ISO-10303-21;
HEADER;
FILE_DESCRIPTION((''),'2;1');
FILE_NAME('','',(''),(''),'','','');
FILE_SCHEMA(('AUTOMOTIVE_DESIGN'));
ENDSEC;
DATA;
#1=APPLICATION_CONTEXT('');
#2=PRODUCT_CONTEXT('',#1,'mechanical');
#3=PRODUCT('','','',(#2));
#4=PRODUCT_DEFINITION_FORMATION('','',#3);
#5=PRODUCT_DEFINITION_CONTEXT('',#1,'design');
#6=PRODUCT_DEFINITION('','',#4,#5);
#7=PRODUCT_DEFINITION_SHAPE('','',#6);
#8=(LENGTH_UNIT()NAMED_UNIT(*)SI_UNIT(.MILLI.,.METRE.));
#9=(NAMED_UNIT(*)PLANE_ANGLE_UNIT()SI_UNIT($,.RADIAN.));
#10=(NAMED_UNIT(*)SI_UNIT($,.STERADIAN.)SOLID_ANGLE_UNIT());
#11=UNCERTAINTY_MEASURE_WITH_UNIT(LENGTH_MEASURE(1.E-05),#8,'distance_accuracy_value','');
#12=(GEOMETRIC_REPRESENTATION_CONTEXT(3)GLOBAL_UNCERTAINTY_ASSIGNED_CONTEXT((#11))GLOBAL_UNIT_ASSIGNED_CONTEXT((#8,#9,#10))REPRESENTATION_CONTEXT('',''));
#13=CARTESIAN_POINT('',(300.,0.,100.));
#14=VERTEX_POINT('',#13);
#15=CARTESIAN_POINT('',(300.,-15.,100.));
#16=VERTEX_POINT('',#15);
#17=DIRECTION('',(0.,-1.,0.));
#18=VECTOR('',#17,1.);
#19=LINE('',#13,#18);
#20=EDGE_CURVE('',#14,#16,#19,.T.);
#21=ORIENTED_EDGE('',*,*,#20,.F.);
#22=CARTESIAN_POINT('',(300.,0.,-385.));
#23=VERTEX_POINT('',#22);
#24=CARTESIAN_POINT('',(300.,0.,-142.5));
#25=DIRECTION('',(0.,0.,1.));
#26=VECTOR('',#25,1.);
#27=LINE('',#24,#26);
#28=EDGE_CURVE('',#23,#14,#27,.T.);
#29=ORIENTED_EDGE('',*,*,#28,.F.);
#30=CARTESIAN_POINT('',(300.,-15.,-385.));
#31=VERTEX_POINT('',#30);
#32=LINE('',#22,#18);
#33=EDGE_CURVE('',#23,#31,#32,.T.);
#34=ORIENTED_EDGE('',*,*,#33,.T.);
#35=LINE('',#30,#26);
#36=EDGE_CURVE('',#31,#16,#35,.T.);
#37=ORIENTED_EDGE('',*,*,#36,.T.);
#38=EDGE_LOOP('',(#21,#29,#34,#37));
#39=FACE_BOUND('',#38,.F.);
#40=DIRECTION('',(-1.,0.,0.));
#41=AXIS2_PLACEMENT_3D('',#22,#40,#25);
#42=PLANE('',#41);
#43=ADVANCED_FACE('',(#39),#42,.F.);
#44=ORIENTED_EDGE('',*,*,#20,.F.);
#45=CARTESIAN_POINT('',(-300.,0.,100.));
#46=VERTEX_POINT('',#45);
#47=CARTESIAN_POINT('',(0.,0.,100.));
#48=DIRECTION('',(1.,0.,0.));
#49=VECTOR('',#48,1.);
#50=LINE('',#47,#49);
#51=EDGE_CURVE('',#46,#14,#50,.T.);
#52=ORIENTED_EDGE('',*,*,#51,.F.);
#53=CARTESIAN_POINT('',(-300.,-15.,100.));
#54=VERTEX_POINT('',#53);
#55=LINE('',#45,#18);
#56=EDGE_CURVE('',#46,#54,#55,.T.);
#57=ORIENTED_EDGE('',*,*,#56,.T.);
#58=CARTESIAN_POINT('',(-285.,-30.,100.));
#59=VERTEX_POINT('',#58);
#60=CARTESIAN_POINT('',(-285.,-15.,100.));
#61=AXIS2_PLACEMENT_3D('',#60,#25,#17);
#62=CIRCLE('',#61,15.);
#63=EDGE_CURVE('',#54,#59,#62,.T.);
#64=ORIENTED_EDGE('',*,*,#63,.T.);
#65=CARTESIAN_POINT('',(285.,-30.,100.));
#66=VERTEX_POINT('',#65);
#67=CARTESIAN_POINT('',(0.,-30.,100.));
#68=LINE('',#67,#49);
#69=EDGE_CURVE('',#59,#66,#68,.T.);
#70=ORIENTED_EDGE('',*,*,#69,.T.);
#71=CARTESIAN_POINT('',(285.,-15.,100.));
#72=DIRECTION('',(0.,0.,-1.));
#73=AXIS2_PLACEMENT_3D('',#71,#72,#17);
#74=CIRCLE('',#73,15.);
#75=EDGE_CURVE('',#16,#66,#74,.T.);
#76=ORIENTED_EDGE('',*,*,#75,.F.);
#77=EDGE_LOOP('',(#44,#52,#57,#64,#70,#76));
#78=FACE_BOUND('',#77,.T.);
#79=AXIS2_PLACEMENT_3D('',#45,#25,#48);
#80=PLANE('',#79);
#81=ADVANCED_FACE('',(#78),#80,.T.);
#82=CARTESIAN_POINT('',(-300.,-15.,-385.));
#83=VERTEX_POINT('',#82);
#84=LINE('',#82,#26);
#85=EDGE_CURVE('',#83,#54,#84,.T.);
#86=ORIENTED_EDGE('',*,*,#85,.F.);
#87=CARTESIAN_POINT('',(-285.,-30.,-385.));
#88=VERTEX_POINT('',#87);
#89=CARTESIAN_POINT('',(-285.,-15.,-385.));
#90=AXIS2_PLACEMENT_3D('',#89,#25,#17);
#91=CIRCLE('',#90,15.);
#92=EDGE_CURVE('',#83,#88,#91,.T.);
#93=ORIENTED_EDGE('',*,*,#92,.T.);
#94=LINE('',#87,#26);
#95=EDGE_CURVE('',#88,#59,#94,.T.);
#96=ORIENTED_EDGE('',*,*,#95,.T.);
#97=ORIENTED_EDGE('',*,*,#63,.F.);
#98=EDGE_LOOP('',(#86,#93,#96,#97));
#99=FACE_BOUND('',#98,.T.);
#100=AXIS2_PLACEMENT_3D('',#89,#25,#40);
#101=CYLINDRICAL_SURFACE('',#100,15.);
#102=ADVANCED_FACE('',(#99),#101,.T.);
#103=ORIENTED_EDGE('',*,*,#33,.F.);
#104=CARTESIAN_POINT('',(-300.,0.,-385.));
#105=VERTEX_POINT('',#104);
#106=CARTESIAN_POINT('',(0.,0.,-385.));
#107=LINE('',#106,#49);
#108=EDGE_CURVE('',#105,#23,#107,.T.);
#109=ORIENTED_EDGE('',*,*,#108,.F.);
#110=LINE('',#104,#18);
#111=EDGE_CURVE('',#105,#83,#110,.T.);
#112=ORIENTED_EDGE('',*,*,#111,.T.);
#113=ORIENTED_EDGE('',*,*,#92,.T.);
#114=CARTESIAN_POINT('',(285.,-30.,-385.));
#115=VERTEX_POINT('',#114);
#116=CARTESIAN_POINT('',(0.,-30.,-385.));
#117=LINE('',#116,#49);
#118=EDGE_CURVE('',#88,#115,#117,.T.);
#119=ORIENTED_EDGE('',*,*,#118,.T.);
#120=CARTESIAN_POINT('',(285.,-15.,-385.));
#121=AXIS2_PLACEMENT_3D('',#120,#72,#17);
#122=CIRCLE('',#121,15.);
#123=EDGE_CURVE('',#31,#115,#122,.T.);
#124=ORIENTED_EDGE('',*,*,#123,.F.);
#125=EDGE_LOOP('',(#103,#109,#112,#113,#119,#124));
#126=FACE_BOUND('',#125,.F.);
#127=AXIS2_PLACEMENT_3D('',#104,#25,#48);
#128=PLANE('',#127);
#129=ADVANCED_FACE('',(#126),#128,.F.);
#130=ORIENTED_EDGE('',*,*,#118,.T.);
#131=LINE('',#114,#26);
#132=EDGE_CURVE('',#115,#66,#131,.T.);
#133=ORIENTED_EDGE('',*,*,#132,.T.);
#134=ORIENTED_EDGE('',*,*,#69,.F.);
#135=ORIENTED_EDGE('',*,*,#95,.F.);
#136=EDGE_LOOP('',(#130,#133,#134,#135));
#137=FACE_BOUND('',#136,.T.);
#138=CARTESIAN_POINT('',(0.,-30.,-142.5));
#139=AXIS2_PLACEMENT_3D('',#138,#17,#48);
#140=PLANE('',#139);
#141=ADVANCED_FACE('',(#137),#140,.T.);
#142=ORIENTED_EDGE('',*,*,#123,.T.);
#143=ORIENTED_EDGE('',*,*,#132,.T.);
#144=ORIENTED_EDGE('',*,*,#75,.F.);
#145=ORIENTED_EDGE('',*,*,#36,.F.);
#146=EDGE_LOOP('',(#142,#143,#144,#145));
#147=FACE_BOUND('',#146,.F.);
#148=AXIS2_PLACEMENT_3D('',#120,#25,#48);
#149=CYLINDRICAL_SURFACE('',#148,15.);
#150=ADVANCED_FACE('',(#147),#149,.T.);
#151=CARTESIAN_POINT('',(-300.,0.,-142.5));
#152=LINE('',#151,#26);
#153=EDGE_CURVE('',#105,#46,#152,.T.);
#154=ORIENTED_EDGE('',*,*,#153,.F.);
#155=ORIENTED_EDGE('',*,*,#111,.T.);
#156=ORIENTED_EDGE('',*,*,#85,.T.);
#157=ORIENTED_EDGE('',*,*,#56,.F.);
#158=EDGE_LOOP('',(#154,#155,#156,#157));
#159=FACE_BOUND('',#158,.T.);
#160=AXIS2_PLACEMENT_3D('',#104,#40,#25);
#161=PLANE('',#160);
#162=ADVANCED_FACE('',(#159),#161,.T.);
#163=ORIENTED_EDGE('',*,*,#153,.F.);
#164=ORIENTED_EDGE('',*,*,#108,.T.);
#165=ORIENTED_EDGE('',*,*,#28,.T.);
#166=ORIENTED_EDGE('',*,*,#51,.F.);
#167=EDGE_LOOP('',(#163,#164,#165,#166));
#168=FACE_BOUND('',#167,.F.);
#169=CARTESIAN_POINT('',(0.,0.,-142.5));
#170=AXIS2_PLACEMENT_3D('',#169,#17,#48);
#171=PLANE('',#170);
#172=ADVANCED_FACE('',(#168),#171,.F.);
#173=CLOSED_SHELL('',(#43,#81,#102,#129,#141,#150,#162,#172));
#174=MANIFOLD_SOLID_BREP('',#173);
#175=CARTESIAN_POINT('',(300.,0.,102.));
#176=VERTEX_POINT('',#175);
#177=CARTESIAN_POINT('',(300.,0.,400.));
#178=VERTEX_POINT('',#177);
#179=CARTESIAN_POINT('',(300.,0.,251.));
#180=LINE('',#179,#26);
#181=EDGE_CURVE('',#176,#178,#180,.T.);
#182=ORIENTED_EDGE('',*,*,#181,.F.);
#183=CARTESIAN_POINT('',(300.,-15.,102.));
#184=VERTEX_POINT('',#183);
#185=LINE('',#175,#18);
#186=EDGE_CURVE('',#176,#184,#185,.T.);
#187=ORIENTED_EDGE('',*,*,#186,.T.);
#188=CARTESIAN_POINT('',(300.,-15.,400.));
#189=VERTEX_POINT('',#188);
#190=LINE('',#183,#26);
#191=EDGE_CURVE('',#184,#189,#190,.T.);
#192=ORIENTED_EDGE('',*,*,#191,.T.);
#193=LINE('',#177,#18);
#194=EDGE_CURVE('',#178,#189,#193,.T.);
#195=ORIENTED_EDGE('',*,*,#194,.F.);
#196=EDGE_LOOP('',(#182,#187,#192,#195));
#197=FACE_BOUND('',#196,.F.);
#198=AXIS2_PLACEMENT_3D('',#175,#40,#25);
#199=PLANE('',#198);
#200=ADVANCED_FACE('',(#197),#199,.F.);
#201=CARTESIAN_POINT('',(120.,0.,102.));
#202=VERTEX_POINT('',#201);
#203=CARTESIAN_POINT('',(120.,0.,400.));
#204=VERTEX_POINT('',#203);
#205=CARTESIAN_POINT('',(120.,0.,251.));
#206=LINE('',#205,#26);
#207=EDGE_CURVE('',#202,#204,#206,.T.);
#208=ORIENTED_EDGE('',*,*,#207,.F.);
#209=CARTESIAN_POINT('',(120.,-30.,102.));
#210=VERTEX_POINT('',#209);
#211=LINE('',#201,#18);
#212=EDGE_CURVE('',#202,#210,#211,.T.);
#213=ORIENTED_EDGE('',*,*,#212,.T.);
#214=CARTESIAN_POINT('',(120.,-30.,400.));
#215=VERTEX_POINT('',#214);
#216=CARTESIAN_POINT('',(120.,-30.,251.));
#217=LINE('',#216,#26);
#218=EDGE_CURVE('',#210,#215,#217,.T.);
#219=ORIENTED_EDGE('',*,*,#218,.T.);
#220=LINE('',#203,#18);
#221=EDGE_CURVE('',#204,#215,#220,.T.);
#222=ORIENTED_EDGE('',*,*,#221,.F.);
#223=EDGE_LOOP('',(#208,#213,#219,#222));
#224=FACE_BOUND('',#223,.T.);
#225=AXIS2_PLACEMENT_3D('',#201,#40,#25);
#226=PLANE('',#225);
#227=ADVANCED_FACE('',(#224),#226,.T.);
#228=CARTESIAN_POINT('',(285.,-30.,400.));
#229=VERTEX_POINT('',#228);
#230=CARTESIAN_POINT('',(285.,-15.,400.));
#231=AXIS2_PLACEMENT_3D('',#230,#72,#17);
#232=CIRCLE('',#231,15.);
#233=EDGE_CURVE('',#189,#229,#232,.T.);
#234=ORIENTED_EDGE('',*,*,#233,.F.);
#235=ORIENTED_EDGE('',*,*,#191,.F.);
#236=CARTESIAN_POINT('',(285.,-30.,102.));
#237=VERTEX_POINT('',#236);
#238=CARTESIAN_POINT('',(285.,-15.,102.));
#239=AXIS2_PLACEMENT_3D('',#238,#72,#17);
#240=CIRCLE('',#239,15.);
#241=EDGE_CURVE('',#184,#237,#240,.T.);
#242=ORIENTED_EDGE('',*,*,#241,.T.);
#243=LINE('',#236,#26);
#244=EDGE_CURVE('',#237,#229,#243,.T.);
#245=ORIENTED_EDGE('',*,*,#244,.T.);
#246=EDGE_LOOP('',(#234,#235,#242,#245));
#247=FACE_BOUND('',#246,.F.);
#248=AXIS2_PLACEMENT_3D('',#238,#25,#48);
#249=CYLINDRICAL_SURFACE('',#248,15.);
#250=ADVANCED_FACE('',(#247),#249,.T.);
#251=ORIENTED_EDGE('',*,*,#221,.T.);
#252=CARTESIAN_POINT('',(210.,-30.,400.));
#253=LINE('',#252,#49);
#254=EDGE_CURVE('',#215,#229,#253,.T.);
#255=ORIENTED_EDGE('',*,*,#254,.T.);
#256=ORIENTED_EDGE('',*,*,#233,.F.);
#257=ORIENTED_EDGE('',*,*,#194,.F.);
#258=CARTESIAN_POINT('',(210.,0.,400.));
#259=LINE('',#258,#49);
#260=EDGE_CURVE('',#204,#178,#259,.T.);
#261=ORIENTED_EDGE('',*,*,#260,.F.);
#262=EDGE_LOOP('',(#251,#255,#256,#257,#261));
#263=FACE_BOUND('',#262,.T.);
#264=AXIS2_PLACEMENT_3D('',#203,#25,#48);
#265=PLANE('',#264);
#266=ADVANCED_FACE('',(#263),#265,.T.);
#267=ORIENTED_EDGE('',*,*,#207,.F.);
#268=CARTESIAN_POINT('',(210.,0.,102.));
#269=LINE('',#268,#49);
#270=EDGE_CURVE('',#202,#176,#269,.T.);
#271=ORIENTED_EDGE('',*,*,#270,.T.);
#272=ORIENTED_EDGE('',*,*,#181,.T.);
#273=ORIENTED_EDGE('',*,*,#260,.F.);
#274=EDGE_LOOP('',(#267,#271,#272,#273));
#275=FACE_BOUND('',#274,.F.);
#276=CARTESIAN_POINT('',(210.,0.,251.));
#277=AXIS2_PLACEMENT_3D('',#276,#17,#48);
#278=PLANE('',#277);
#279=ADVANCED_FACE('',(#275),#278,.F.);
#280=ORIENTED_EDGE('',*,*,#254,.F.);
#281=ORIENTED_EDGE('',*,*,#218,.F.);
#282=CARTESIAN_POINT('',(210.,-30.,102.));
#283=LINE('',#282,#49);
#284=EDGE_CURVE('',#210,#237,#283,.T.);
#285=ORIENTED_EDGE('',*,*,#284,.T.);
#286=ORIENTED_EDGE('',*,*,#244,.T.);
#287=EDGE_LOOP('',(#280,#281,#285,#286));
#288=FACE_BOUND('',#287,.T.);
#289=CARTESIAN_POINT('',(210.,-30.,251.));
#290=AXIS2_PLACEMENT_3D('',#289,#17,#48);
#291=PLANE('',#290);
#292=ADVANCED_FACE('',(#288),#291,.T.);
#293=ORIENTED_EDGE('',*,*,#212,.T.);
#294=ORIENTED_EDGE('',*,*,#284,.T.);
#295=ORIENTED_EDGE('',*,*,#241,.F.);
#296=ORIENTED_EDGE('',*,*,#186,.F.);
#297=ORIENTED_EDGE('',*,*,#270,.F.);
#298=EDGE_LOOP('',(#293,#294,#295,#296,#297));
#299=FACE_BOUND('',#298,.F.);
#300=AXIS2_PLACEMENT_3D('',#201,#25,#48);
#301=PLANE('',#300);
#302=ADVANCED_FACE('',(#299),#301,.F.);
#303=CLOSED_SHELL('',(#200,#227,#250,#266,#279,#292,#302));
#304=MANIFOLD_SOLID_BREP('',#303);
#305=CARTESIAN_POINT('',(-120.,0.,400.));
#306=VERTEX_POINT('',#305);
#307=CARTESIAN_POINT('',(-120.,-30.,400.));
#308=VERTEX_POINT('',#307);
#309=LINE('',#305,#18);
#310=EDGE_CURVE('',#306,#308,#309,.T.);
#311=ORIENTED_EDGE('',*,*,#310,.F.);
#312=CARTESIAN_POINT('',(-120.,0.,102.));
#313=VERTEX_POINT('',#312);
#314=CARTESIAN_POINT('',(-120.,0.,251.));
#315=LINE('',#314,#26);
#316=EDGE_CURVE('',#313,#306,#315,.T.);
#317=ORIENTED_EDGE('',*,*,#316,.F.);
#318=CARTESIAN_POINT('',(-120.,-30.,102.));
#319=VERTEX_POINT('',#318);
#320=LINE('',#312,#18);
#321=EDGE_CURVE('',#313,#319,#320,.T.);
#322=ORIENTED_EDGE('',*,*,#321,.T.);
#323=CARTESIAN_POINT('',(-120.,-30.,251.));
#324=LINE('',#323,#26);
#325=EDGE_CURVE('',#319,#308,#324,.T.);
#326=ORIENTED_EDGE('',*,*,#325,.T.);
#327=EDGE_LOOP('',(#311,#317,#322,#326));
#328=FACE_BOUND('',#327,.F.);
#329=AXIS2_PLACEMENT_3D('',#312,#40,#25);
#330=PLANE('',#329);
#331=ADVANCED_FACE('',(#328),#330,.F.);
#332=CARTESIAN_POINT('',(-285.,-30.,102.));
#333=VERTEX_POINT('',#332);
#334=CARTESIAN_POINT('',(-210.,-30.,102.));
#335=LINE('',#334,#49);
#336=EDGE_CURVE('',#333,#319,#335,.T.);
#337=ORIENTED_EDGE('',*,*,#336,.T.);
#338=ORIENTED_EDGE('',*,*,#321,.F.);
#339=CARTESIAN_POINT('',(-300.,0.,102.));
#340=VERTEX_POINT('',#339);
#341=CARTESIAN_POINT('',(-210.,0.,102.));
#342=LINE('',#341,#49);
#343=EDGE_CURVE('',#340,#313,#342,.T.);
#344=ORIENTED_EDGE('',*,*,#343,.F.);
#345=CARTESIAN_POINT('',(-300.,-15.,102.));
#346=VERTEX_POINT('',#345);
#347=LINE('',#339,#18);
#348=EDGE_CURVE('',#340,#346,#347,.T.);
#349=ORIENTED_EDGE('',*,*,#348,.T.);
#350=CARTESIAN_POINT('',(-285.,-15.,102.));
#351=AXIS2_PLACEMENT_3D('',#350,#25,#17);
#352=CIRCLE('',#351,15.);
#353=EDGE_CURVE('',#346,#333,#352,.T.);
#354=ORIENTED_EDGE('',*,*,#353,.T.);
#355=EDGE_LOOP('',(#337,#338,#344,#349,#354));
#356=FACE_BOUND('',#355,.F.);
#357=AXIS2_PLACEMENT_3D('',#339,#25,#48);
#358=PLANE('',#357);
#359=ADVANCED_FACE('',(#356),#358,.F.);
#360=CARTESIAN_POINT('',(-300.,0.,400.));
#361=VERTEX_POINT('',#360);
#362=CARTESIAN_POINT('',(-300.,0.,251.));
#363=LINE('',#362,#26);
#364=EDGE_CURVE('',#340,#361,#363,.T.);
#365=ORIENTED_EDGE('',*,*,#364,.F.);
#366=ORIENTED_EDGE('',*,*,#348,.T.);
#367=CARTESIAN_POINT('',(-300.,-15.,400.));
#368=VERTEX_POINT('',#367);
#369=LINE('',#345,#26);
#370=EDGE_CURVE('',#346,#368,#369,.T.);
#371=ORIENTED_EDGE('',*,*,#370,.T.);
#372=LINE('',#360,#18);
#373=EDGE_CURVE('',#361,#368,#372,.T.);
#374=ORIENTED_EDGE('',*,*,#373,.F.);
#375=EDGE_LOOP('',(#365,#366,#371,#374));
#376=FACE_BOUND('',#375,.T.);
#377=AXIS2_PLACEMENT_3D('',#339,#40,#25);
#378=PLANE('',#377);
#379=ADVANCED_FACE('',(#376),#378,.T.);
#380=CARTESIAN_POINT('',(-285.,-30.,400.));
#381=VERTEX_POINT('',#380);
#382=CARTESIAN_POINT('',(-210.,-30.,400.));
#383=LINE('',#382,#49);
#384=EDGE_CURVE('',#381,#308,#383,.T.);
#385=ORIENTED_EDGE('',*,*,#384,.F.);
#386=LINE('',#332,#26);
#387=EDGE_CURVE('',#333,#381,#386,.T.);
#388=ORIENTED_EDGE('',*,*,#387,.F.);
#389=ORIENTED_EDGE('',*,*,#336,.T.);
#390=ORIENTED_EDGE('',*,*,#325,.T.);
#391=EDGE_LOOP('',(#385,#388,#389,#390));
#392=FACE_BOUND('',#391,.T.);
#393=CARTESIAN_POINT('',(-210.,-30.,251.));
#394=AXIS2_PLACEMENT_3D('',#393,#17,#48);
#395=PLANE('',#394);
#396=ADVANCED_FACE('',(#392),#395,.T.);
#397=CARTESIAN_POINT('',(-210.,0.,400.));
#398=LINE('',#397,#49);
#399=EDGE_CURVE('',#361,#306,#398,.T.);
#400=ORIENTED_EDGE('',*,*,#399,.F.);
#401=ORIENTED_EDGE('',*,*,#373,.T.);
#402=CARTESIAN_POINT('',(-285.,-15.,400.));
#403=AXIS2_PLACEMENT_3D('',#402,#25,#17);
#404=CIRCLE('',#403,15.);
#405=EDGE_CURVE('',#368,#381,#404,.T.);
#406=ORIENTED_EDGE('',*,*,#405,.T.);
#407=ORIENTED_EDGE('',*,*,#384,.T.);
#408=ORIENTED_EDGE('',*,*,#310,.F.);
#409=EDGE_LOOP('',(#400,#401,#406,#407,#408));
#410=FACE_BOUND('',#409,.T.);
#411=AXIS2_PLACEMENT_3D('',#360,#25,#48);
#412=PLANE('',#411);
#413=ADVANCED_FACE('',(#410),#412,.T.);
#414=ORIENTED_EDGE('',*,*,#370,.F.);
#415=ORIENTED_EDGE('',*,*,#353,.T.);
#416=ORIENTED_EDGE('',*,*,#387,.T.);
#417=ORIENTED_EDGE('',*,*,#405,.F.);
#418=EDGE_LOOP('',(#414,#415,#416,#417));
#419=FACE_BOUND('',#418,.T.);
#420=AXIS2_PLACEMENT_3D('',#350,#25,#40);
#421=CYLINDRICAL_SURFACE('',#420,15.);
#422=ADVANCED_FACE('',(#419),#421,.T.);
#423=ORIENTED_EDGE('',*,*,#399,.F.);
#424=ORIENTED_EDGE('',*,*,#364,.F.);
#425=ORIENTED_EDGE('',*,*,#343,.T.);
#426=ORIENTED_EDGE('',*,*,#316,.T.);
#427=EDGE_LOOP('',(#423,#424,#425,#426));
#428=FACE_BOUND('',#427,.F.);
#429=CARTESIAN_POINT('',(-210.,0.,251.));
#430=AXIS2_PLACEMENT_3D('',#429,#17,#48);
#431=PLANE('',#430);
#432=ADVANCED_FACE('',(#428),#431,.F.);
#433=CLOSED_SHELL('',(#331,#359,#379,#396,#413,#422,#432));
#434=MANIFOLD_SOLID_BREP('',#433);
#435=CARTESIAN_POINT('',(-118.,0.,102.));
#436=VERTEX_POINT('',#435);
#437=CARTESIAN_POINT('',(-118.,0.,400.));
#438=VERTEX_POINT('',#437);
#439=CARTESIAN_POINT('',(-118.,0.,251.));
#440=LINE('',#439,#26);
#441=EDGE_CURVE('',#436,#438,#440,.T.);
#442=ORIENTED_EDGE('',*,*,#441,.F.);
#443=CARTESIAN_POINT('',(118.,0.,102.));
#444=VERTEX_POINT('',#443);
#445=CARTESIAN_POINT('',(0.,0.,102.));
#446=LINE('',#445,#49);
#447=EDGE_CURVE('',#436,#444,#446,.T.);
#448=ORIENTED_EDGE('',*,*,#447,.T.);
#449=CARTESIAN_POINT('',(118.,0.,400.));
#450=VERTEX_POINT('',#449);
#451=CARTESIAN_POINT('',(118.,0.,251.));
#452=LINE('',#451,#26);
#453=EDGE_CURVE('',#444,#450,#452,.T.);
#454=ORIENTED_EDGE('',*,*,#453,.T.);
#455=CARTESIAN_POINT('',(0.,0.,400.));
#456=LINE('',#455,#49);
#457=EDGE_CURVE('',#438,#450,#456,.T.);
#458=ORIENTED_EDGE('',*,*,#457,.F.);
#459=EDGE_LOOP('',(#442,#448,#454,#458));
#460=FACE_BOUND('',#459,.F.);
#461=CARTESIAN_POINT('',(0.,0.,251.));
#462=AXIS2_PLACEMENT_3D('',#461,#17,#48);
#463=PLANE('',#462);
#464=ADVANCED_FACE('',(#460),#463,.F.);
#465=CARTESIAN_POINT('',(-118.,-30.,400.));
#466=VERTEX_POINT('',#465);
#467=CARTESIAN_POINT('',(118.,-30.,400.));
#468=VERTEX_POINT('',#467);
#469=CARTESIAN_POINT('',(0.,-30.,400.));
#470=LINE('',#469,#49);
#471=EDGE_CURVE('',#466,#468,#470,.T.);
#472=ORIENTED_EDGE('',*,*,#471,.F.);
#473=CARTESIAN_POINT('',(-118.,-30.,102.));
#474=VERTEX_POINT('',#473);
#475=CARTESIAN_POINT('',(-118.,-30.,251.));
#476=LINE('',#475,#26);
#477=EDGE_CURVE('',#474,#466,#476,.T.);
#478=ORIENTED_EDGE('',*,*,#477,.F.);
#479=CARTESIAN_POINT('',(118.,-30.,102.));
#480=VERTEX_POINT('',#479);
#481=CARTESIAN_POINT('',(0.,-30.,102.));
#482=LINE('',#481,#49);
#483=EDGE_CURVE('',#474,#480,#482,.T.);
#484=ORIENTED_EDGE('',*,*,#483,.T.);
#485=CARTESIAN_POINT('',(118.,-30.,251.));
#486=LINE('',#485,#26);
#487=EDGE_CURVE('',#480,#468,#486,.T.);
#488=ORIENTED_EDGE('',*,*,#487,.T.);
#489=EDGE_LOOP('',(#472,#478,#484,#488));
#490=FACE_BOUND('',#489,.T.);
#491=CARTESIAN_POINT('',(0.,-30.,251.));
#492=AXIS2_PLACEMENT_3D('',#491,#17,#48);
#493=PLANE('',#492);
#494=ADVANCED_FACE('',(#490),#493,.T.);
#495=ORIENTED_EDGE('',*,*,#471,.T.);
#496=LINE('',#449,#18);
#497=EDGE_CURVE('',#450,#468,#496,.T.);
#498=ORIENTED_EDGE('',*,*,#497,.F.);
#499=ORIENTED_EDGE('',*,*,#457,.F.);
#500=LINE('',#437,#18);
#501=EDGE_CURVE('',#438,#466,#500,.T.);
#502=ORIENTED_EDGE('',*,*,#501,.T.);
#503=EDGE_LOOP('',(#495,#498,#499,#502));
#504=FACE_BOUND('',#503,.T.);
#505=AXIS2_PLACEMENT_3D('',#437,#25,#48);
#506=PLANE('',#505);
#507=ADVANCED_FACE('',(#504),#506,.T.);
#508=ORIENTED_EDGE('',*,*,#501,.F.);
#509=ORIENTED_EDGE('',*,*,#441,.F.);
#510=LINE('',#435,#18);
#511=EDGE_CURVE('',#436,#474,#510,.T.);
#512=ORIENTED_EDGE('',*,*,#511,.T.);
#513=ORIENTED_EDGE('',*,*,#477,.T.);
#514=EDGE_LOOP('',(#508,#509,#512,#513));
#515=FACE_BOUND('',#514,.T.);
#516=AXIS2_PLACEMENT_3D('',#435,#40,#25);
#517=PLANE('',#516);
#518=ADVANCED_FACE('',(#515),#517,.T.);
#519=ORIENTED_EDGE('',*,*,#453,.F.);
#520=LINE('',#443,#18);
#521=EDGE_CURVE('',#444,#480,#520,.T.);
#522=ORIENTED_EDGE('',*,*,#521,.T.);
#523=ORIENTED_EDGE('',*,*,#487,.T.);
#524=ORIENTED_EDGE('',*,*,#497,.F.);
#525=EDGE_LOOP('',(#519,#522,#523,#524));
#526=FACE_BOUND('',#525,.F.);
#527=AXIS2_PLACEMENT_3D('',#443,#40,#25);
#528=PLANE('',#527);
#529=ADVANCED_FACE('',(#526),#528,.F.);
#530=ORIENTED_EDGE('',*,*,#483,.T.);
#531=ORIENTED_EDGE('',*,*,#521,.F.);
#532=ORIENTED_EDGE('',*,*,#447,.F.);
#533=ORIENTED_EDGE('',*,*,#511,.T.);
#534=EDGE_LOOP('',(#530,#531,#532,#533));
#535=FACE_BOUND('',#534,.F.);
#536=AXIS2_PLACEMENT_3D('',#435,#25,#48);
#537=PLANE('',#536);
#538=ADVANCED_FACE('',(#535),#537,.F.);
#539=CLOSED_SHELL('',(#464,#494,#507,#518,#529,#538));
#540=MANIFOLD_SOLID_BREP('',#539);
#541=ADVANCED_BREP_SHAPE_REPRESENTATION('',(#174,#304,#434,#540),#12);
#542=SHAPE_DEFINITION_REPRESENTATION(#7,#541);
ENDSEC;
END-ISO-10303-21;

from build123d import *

# Parameters (mm, degrees)
F0_W     = 600
F0_H     = 485
F0_W_2   = 180
F0_H_2   = 298
F0_W_3   = 236
F1_DEPTH = 30
F2_R     = 15


with BuildPart() as f1:
    # F0 (on Front) → F1 (new body)
    with BuildSketch(Plane.XZ):
        with Locations((0, -142.5)):
            Rectangle(F0_W, F0_H)
        with Locations((-210, 251)):
            Rectangle(F0_W_2, F0_H_2)
        with Locations((210, 251)):
            Rectangle(F0_W_2, F0_H_2)
        with Locations((0, 251)):
            Rectangle(F0_W_3, F0_H_2)
    extrude(amount=F1_DEPTH)

    # F2
    f2_edges = [f1.edges().sort_by_distance(p)[0] for p in [
        (-300, -30, 251),
        (-300, -30, -142.5),
        (300, -30, 251),
        (300, -30, -142.5),
    ]]
    fillet(f2_edges, radius=F2_R)


solid = f1.part
